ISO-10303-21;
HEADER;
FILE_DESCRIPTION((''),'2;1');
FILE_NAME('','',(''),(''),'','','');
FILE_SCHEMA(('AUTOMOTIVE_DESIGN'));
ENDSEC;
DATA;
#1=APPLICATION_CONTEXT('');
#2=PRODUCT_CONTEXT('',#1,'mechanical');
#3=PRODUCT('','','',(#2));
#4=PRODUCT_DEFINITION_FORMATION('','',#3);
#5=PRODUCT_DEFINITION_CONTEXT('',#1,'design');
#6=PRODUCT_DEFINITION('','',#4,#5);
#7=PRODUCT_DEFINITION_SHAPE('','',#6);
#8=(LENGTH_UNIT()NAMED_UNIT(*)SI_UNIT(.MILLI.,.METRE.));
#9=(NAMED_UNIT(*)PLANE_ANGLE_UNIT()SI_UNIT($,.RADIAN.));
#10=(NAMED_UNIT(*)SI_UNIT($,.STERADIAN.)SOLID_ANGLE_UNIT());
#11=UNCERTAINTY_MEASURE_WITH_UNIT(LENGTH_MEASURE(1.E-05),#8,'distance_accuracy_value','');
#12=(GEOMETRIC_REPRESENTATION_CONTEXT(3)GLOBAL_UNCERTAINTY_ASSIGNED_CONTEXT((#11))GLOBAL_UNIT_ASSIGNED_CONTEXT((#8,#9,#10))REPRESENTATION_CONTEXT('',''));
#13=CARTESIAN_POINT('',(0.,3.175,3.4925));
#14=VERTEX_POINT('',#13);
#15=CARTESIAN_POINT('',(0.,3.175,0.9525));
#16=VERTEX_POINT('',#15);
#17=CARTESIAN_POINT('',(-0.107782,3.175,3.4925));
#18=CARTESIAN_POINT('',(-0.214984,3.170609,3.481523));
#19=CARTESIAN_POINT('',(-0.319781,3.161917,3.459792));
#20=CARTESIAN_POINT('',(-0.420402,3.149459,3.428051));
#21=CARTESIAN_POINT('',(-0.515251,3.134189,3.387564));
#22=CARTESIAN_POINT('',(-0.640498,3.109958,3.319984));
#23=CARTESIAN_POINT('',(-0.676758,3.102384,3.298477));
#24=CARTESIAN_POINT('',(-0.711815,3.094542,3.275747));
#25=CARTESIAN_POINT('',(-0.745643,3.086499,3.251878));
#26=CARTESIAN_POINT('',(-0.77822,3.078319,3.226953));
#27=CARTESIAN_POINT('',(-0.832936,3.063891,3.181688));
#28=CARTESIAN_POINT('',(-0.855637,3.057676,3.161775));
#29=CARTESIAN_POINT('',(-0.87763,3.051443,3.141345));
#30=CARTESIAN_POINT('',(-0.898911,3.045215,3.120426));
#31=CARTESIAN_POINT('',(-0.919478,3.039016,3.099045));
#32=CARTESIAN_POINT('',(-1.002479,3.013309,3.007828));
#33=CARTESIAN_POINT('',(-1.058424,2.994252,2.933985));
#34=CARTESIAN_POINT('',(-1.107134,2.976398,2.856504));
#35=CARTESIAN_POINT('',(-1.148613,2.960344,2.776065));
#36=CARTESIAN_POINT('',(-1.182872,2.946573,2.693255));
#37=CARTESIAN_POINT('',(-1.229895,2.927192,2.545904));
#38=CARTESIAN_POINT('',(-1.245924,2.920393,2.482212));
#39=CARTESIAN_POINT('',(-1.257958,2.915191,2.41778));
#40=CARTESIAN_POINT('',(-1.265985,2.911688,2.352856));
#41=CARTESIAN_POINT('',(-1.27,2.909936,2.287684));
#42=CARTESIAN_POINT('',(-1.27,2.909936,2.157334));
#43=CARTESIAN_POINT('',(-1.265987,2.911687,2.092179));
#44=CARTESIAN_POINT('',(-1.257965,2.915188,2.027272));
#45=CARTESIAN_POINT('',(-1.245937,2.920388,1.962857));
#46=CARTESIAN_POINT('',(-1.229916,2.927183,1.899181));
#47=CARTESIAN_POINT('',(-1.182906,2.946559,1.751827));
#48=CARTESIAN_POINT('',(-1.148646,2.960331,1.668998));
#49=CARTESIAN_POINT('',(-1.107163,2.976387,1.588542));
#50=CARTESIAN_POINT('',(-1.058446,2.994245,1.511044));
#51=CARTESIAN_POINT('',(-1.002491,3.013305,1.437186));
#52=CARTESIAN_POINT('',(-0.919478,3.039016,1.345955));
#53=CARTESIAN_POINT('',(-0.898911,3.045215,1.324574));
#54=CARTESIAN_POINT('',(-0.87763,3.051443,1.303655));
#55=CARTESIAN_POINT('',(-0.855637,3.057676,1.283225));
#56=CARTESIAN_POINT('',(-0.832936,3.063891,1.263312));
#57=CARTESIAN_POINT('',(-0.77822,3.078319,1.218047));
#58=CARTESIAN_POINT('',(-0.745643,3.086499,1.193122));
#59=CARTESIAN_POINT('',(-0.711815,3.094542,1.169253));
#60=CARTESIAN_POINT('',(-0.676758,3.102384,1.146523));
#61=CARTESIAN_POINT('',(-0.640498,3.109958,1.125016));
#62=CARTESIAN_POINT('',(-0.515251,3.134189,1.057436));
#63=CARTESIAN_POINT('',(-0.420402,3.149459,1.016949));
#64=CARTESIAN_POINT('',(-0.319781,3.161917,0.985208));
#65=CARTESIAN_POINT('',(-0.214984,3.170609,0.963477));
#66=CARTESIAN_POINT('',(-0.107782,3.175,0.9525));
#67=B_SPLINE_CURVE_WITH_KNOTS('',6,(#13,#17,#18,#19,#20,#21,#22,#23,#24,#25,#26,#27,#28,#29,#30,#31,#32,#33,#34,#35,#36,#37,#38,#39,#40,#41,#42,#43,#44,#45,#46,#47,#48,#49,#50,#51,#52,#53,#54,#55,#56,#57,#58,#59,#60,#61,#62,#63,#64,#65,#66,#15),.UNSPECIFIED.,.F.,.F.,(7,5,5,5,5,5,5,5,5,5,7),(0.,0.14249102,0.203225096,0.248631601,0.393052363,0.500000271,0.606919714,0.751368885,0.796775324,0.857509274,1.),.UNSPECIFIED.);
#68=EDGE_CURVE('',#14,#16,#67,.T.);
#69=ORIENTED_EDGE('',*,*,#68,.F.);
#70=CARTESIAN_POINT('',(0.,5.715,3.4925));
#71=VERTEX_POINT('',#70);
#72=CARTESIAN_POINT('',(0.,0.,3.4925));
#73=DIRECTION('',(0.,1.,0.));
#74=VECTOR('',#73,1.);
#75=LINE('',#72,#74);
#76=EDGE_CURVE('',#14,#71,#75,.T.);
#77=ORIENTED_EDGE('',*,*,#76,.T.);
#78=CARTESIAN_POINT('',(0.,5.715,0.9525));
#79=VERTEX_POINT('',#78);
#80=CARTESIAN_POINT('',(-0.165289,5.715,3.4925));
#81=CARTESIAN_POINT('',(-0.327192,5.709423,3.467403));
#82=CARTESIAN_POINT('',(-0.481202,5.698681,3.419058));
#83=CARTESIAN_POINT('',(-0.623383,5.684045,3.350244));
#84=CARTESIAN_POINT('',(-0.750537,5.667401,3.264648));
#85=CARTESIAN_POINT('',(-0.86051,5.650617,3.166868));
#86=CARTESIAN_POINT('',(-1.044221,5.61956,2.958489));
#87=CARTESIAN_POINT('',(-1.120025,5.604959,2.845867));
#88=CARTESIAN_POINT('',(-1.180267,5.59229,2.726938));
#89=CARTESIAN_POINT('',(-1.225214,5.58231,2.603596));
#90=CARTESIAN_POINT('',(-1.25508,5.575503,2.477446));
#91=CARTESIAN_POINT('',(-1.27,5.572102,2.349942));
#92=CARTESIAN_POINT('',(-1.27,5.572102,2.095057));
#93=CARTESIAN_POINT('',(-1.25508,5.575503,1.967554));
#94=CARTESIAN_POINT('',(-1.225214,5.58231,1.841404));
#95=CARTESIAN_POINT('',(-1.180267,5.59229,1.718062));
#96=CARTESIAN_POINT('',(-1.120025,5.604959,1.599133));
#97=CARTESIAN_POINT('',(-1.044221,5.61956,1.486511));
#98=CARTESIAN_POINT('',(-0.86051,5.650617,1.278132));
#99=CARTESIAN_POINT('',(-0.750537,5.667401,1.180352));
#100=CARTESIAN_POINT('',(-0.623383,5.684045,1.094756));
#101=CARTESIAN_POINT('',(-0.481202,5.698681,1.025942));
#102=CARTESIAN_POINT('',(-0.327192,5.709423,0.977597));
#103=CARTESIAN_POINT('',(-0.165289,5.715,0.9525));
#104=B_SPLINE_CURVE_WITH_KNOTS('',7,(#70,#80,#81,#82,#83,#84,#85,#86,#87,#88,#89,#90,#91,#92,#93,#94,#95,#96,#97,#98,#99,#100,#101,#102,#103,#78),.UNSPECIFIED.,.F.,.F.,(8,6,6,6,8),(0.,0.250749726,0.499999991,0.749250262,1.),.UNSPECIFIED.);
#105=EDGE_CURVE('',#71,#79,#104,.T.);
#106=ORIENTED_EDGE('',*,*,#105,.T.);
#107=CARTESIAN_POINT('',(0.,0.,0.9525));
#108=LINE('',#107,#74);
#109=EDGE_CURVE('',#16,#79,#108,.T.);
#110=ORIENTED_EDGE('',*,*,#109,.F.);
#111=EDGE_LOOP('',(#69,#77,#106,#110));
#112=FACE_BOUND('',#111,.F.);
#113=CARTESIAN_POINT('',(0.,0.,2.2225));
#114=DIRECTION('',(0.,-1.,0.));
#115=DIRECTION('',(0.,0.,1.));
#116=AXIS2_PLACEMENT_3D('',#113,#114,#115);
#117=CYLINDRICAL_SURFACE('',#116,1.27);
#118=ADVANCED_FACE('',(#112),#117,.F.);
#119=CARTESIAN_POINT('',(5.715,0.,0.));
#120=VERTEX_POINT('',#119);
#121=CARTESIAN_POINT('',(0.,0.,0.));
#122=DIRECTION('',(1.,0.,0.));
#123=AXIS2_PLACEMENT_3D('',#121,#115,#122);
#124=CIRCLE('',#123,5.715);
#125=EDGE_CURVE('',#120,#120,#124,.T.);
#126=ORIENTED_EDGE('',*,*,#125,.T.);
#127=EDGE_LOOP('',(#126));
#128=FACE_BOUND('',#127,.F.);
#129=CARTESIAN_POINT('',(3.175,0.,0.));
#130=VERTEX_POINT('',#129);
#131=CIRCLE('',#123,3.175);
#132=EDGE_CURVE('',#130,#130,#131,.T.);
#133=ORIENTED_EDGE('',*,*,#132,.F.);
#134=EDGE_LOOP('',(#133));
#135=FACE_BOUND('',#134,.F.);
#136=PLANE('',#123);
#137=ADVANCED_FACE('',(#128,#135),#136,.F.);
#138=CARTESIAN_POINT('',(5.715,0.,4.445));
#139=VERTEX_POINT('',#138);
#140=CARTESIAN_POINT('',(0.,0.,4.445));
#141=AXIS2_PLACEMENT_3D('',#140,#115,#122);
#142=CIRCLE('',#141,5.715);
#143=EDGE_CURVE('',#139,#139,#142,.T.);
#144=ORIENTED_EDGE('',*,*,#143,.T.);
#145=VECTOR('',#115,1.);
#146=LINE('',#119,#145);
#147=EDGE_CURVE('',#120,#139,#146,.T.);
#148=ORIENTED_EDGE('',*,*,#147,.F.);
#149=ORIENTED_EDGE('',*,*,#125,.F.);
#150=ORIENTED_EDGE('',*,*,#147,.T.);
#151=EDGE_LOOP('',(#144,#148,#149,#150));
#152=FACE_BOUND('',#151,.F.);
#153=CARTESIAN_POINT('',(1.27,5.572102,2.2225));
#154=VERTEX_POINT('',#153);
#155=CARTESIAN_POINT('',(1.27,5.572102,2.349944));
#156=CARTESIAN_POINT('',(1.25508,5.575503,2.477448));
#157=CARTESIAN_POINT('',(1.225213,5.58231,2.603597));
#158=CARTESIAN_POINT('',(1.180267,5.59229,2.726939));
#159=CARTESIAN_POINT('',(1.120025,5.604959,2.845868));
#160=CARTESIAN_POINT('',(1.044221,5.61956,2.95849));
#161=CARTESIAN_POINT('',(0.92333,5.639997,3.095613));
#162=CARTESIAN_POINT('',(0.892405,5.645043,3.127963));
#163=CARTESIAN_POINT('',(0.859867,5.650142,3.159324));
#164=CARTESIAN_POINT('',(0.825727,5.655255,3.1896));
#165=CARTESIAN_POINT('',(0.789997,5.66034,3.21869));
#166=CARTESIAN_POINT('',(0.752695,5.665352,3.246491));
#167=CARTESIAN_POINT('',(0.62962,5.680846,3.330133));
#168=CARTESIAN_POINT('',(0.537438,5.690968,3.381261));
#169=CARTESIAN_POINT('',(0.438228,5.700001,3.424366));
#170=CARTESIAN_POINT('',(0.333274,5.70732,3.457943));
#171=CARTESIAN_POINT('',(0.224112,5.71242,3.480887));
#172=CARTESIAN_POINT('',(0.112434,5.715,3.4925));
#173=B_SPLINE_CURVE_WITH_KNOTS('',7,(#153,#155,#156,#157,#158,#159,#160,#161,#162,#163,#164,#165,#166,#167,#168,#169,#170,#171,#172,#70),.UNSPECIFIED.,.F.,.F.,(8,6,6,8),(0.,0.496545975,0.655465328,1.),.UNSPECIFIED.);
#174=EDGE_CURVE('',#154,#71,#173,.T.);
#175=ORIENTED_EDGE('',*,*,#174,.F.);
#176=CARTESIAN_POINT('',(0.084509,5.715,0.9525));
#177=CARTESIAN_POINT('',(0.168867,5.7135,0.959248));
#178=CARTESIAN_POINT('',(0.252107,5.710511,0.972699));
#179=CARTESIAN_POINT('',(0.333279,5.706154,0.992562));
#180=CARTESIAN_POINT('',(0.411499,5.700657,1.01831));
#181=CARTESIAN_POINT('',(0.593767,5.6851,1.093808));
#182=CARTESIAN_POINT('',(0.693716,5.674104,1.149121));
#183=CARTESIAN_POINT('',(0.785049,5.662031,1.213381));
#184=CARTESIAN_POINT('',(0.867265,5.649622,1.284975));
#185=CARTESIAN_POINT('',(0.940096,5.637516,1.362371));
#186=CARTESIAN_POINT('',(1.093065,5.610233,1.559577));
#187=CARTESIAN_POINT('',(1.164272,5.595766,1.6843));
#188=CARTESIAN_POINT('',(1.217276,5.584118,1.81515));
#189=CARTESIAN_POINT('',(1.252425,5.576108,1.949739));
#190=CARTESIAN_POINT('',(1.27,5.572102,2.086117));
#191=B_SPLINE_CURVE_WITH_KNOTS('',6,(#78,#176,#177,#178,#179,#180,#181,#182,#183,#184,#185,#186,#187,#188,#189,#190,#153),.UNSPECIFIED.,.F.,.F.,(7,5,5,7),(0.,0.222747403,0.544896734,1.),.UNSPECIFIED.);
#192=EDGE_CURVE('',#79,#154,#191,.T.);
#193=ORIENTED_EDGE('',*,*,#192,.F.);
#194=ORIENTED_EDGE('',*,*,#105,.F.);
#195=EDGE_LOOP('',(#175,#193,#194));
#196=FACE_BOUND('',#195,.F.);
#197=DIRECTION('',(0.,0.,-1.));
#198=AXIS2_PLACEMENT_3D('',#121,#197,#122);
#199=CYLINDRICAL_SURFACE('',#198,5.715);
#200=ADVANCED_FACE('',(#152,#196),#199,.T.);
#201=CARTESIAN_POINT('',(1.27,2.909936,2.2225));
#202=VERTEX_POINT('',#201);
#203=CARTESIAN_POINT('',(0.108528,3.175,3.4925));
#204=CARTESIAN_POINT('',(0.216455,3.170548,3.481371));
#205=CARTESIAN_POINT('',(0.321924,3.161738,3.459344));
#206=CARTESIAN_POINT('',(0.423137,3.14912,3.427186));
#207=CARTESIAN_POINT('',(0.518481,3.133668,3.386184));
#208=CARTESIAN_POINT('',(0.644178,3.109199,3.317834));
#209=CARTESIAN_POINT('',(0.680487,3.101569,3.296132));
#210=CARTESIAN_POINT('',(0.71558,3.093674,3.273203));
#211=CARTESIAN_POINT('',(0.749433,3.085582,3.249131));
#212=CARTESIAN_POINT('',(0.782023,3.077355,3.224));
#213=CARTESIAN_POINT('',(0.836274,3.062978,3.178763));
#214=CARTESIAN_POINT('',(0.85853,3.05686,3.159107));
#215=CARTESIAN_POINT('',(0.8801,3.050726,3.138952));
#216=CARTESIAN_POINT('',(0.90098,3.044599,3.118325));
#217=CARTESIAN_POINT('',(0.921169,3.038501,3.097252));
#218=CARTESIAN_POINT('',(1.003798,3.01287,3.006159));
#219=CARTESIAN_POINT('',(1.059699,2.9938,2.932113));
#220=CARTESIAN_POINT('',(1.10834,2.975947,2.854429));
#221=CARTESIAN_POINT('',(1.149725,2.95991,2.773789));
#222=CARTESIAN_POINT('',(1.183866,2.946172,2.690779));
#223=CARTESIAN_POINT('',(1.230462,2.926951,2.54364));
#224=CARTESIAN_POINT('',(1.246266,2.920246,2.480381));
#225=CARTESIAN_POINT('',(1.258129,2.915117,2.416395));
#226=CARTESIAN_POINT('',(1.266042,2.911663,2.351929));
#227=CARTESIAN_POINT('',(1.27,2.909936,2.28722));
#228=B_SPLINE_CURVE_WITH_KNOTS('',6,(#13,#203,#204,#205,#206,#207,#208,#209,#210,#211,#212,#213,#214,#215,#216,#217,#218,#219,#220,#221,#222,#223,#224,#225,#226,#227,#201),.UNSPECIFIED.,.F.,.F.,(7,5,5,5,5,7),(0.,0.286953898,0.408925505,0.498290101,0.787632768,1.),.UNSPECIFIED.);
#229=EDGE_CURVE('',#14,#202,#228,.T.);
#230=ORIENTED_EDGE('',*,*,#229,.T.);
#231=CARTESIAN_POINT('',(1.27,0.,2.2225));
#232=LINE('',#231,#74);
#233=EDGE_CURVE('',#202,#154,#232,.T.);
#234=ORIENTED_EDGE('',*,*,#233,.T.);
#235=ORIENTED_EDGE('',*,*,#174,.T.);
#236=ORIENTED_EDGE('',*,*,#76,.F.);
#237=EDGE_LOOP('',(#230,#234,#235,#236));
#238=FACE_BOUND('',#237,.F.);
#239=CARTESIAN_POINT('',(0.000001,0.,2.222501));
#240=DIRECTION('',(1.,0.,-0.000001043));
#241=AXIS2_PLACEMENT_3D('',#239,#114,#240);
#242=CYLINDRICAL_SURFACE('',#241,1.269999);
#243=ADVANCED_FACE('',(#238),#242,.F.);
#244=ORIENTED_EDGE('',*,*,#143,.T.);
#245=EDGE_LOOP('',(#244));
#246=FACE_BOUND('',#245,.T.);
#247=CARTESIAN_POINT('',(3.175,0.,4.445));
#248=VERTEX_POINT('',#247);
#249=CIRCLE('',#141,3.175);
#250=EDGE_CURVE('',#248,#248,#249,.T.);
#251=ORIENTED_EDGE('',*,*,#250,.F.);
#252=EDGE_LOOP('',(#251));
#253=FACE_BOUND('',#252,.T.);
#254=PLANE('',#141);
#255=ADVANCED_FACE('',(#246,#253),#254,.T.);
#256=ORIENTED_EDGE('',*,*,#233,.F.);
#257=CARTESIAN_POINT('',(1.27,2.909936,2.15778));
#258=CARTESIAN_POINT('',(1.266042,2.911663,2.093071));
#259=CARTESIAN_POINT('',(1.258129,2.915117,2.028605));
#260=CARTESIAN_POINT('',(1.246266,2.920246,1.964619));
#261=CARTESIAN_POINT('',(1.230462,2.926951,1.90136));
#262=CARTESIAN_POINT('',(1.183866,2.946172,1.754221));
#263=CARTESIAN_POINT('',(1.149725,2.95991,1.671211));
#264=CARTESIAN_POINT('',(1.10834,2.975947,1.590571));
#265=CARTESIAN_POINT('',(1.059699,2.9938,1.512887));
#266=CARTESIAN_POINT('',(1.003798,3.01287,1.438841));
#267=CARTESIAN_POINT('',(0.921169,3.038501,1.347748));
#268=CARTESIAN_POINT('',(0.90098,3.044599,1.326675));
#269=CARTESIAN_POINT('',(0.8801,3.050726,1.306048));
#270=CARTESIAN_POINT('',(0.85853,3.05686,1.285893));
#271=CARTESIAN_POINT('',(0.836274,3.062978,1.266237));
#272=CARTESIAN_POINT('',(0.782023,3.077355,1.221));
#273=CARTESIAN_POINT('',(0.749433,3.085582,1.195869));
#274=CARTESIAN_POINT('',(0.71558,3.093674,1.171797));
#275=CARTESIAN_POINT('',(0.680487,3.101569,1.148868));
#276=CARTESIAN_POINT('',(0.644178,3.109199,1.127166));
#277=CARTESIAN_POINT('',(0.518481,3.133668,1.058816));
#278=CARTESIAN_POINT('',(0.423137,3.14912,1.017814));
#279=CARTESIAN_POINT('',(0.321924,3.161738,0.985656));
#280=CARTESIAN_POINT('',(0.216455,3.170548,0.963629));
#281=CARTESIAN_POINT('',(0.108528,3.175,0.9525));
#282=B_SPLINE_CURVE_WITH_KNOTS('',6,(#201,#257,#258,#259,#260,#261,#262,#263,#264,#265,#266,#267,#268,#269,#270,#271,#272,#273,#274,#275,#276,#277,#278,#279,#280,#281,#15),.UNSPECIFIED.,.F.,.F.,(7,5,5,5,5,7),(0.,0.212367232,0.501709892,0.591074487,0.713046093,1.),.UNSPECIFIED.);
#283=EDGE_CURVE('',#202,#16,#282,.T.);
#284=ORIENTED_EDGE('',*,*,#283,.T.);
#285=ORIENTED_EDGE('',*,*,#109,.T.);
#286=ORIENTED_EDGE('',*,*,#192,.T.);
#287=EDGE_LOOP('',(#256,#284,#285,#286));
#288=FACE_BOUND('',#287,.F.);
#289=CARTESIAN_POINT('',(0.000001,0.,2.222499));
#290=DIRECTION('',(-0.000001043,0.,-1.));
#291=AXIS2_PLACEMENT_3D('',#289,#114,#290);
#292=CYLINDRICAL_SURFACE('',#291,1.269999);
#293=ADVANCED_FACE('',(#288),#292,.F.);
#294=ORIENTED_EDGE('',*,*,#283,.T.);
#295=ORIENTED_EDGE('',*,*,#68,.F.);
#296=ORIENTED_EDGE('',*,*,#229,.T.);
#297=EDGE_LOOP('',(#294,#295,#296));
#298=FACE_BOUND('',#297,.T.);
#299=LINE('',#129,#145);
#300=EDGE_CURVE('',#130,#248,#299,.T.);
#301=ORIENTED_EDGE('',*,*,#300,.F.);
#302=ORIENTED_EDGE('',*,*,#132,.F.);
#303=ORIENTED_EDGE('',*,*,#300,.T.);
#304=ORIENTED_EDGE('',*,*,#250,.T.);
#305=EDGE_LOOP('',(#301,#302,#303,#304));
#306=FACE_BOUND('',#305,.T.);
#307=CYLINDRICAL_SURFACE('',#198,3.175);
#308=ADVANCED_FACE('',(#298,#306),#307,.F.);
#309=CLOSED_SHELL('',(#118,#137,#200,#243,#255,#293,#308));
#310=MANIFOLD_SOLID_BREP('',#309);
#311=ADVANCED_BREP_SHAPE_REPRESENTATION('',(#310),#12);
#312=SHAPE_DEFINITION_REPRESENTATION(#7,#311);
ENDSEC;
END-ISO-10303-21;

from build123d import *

# Parameters (mm, degrees)
F0_R     = 5.715
F0_R_2   = 3.175
F1_DEPTH = 4.445
F3_DEPTH = 25.4


with BuildPart() as f1:
    # F0 (on Top) → F1 (new body)
    with BuildSketch(Plane.XY):
        Circle(F0_R)
        Circle(F0_R_2, mode=Mode.SUBTRACT)
    extrude(amount=F1_DEPTH)

    # F2 (on Front) → F3 (cut)
    with BuildSketch(Plane.XZ):
        with BuildLine():
            ThreePointArc((1.27, 2.2225), (0.898026, 3.120526), (0, 3.4925))
            Line((0, 3.4925), (0, 0.9525))
            ThreePointArc((0, 0.9525), (0.898026, 1.324474), (1.27, 2.2225))
        make_face()
        with BuildLine():
            Line((0, 0.9525), (0, 3.4925))
            ThreePointArc((0, 3.4925), (-1.27, 2.2225), (0, 0.9525))
        make_face()
    extrude(amount=-F3_DEPTH, mode=Mode.SUBTRACT)


solid = f1.part
